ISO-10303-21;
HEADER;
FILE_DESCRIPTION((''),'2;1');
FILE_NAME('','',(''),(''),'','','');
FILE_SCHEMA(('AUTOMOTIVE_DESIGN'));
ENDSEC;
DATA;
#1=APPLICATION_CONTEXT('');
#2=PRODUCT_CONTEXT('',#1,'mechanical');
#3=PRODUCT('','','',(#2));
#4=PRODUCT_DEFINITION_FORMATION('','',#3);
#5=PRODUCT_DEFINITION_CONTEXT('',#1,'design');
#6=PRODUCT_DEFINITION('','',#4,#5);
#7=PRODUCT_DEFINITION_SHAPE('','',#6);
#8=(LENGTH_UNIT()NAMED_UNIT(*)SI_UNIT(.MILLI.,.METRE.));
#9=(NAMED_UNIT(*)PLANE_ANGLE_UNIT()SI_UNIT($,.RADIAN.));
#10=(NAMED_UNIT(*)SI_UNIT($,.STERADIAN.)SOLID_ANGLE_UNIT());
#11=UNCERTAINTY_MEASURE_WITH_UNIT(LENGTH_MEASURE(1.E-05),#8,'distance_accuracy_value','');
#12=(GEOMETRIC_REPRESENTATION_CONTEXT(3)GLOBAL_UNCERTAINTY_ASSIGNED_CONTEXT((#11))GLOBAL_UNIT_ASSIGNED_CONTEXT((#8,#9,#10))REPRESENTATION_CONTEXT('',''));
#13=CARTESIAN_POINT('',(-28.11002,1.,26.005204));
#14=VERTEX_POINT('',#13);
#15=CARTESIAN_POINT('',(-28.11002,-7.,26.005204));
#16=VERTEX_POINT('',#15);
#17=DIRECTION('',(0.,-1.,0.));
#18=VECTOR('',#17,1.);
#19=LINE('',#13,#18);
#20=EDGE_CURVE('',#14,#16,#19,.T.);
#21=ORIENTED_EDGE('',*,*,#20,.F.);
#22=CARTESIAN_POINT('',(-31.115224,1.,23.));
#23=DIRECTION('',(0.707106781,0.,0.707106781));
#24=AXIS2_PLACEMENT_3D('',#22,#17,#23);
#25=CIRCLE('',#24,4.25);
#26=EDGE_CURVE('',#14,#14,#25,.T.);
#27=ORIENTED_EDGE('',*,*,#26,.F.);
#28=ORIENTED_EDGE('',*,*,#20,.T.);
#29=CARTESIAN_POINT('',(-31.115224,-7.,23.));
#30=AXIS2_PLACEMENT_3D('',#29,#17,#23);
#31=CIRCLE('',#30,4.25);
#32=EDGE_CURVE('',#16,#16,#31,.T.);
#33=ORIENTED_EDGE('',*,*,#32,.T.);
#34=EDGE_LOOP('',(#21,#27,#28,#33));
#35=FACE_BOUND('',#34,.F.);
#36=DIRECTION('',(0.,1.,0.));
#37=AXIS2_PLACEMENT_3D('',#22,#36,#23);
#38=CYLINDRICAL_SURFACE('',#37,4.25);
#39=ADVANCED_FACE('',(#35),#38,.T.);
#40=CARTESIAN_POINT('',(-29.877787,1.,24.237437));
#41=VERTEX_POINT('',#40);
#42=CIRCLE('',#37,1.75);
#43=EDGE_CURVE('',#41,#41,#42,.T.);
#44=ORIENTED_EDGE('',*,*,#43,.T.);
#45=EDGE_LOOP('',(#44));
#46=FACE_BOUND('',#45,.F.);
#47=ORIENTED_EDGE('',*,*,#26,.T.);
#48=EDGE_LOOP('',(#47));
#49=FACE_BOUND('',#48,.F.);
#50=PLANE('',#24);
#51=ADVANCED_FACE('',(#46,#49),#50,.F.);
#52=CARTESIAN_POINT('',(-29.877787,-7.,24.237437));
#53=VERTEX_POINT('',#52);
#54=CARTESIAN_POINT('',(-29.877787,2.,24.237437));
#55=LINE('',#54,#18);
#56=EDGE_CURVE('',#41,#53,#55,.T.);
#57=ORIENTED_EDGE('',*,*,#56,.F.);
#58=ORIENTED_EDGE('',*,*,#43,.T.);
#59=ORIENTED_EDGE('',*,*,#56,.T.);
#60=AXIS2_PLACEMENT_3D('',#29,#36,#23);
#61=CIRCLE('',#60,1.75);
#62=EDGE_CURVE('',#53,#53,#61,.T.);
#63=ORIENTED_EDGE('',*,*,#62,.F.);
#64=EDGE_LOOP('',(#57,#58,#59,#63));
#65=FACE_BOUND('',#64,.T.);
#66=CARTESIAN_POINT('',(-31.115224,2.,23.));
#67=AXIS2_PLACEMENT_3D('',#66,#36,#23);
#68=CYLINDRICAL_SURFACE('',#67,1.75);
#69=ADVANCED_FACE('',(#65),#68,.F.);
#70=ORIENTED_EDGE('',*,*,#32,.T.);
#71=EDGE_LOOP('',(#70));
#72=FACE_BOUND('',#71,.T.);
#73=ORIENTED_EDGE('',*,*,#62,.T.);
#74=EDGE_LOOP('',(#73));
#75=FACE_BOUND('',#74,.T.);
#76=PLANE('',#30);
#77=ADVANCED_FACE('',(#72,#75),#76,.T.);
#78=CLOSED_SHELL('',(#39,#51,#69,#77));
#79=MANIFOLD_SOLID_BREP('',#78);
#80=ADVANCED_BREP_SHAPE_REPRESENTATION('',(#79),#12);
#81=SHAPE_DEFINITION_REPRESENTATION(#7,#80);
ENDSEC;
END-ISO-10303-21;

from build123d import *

# Parameters (mm, degrees)
CYLINDER_R           = 1.75
CYLINDER_DEPTH       = 10
CYLINDER001_R        = 4.25
CYLINDER001_DEPTH    = 8
CLONE002_ROLL_ANGLE  = 90
CLONE002_PITCH_ANGLE = -45


with BuildPart() as spacer_hole_cylinder:
    # Cylinder → Cylinder (new body)
    with BuildSketch(Plane.XY.offset(-1)):
        Circle(CYLINDER_R)
    extrude(amount=CYLINDER_DEPTH)


with BuildPart() as x_motor_spacer_right:
    # Cylinder001 → Cylinder001 (new body)
    with BuildSketch(Plane.XY):
        Circle(CYLINDER001_R)
    extrude(amount=CYLINDER001_DEPTH)

    # Cut002: cut spacer-hole-cylinder
    add(spacer_hole_cylinder.part, mode=Mode.SUBTRACT)


with BuildPart() as x_motor_spacer_right_1:
    # Clone002 roll: moved
    add(x_motor_spacer_right.part.rotate(Axis((0, 0, 0), (1, 0, 0)), CLONE002_ROLL_ANGLE))


with BuildPart() as x_motor_spacer_right_2:
    # Clone002 pitch: moved
    add(x_motor_spacer_right_1.part.rotate(Axis((0, 0, 0), (0, 1, 0)), CLONE002_PITCH_ANGLE))


with BuildPart() as x_motor_spacer_right_3:
    # Clone002 placement: moved
    add(x_motor_spacer_right_2.part.moved(Location((-31.115224, 1, 23))))


solid = x_motor_spacer_right_3.part
